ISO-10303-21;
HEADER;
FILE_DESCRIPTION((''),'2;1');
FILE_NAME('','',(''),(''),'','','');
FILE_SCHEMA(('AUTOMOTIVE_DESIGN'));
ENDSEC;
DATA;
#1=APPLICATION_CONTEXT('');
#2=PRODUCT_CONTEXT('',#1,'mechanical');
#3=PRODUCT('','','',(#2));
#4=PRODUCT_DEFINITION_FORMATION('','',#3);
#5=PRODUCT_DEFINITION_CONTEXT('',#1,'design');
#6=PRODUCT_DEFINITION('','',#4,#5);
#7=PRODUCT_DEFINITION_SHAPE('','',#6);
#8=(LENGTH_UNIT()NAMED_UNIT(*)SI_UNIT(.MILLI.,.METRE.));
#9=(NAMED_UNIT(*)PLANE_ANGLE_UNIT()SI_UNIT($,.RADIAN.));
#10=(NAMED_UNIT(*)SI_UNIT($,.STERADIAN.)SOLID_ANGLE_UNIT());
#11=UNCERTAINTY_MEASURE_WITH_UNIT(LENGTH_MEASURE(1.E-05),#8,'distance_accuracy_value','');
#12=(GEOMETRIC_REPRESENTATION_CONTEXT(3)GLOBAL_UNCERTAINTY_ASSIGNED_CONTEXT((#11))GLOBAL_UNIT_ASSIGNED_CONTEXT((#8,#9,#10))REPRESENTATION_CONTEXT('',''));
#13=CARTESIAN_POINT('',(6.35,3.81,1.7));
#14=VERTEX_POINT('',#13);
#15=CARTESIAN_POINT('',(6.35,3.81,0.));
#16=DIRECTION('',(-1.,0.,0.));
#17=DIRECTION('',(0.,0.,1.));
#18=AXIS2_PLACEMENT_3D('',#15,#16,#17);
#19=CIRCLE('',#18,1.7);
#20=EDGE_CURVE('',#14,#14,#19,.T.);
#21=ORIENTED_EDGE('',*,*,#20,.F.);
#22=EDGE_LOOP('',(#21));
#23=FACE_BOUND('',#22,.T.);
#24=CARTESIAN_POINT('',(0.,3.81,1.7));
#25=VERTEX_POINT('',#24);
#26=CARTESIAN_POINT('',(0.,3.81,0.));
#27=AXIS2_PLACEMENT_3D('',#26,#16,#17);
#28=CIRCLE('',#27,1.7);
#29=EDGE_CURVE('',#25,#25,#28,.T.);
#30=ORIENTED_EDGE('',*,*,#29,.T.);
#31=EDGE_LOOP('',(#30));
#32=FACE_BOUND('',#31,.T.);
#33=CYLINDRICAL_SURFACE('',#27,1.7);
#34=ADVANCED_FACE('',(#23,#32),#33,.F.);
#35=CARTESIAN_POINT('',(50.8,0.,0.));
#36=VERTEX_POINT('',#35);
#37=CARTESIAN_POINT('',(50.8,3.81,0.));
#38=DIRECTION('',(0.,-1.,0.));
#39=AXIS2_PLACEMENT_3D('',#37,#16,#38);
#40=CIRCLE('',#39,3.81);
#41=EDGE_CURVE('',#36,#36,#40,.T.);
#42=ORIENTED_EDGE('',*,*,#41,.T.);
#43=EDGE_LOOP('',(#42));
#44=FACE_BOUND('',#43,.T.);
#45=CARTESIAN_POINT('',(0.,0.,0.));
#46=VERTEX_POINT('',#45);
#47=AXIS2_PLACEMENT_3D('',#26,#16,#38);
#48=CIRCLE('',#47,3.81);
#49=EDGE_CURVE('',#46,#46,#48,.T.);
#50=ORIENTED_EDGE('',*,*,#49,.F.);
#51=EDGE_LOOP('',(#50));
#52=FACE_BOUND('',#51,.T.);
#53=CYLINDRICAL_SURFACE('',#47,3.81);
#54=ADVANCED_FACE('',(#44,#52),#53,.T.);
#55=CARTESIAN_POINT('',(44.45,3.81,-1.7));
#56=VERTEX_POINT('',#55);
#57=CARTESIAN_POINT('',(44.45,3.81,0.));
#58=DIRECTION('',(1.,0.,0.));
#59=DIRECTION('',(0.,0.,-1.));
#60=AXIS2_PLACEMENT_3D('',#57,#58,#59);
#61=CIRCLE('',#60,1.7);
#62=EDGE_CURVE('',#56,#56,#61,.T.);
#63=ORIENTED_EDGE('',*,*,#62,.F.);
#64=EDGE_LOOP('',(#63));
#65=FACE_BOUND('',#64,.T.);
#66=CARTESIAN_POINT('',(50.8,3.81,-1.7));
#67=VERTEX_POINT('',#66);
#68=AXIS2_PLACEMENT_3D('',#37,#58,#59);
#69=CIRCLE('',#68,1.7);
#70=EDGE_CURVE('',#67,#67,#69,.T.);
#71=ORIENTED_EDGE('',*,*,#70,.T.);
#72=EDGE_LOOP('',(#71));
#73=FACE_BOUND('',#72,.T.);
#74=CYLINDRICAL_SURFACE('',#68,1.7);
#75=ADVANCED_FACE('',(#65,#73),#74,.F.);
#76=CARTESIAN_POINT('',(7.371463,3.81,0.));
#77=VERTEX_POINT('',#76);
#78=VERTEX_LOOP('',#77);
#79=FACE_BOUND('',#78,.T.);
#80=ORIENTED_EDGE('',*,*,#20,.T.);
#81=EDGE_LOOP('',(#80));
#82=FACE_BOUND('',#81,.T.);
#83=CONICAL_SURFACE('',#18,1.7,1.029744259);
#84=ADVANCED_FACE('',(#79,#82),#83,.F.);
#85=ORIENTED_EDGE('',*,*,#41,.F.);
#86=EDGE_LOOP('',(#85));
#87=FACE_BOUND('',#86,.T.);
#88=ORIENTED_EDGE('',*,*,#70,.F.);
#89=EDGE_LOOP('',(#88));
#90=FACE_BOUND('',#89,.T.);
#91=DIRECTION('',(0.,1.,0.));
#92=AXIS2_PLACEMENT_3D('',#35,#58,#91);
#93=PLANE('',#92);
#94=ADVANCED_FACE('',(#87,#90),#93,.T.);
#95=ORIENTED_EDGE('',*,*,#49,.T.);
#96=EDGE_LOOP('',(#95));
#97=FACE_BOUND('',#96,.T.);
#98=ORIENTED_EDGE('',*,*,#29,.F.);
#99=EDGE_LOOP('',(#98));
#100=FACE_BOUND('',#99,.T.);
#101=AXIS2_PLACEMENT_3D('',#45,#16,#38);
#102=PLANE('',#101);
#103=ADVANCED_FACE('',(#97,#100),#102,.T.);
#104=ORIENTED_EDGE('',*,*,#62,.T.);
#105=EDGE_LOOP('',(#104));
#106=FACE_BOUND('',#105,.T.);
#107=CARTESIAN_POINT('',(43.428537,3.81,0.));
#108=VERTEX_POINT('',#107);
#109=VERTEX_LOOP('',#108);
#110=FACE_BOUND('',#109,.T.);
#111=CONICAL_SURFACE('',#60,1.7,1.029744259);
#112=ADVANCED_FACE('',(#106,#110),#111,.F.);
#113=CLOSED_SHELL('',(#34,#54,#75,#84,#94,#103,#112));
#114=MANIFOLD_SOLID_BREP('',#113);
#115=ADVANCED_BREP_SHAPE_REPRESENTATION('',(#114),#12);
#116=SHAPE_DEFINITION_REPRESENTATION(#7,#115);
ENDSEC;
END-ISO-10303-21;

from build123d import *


with BuildPart() as part:
    # Sketch1 → Revolve1 (revolve)
    with BuildSketch(Plane.XY):
        Polygon((0, 0), (0, 3.81), (50.8, 3.81), (50.8, 0), (37.892541774, 0), (12.907458226, 0), align=None)
    revolve(axis=Axis((0, 3.81, 0), (1, 0, 0)))

    # Sketch6 → M3 Clearance Hole1 (revolve, cut)
    with BuildSketch(Plane.ZX.offset(3.81)):
        Polygon((0, 0), (0, 7.371463052), (1.7, 6.35), (1.7, 0), align=None)
    m3_clearance_hole1 = revolve(axis=Axis((-6.35, 3.81, 0), (1, 0, 0)), mode=Mode.SUBTRACT)

    # Mirror1: M3 Clearance Hole1 across plane
    add(m3_clearance_hole1.mirror(Plane.ZY.offset(-25.4)), mode=Mode.SUBTRACT)


solid = part.part
